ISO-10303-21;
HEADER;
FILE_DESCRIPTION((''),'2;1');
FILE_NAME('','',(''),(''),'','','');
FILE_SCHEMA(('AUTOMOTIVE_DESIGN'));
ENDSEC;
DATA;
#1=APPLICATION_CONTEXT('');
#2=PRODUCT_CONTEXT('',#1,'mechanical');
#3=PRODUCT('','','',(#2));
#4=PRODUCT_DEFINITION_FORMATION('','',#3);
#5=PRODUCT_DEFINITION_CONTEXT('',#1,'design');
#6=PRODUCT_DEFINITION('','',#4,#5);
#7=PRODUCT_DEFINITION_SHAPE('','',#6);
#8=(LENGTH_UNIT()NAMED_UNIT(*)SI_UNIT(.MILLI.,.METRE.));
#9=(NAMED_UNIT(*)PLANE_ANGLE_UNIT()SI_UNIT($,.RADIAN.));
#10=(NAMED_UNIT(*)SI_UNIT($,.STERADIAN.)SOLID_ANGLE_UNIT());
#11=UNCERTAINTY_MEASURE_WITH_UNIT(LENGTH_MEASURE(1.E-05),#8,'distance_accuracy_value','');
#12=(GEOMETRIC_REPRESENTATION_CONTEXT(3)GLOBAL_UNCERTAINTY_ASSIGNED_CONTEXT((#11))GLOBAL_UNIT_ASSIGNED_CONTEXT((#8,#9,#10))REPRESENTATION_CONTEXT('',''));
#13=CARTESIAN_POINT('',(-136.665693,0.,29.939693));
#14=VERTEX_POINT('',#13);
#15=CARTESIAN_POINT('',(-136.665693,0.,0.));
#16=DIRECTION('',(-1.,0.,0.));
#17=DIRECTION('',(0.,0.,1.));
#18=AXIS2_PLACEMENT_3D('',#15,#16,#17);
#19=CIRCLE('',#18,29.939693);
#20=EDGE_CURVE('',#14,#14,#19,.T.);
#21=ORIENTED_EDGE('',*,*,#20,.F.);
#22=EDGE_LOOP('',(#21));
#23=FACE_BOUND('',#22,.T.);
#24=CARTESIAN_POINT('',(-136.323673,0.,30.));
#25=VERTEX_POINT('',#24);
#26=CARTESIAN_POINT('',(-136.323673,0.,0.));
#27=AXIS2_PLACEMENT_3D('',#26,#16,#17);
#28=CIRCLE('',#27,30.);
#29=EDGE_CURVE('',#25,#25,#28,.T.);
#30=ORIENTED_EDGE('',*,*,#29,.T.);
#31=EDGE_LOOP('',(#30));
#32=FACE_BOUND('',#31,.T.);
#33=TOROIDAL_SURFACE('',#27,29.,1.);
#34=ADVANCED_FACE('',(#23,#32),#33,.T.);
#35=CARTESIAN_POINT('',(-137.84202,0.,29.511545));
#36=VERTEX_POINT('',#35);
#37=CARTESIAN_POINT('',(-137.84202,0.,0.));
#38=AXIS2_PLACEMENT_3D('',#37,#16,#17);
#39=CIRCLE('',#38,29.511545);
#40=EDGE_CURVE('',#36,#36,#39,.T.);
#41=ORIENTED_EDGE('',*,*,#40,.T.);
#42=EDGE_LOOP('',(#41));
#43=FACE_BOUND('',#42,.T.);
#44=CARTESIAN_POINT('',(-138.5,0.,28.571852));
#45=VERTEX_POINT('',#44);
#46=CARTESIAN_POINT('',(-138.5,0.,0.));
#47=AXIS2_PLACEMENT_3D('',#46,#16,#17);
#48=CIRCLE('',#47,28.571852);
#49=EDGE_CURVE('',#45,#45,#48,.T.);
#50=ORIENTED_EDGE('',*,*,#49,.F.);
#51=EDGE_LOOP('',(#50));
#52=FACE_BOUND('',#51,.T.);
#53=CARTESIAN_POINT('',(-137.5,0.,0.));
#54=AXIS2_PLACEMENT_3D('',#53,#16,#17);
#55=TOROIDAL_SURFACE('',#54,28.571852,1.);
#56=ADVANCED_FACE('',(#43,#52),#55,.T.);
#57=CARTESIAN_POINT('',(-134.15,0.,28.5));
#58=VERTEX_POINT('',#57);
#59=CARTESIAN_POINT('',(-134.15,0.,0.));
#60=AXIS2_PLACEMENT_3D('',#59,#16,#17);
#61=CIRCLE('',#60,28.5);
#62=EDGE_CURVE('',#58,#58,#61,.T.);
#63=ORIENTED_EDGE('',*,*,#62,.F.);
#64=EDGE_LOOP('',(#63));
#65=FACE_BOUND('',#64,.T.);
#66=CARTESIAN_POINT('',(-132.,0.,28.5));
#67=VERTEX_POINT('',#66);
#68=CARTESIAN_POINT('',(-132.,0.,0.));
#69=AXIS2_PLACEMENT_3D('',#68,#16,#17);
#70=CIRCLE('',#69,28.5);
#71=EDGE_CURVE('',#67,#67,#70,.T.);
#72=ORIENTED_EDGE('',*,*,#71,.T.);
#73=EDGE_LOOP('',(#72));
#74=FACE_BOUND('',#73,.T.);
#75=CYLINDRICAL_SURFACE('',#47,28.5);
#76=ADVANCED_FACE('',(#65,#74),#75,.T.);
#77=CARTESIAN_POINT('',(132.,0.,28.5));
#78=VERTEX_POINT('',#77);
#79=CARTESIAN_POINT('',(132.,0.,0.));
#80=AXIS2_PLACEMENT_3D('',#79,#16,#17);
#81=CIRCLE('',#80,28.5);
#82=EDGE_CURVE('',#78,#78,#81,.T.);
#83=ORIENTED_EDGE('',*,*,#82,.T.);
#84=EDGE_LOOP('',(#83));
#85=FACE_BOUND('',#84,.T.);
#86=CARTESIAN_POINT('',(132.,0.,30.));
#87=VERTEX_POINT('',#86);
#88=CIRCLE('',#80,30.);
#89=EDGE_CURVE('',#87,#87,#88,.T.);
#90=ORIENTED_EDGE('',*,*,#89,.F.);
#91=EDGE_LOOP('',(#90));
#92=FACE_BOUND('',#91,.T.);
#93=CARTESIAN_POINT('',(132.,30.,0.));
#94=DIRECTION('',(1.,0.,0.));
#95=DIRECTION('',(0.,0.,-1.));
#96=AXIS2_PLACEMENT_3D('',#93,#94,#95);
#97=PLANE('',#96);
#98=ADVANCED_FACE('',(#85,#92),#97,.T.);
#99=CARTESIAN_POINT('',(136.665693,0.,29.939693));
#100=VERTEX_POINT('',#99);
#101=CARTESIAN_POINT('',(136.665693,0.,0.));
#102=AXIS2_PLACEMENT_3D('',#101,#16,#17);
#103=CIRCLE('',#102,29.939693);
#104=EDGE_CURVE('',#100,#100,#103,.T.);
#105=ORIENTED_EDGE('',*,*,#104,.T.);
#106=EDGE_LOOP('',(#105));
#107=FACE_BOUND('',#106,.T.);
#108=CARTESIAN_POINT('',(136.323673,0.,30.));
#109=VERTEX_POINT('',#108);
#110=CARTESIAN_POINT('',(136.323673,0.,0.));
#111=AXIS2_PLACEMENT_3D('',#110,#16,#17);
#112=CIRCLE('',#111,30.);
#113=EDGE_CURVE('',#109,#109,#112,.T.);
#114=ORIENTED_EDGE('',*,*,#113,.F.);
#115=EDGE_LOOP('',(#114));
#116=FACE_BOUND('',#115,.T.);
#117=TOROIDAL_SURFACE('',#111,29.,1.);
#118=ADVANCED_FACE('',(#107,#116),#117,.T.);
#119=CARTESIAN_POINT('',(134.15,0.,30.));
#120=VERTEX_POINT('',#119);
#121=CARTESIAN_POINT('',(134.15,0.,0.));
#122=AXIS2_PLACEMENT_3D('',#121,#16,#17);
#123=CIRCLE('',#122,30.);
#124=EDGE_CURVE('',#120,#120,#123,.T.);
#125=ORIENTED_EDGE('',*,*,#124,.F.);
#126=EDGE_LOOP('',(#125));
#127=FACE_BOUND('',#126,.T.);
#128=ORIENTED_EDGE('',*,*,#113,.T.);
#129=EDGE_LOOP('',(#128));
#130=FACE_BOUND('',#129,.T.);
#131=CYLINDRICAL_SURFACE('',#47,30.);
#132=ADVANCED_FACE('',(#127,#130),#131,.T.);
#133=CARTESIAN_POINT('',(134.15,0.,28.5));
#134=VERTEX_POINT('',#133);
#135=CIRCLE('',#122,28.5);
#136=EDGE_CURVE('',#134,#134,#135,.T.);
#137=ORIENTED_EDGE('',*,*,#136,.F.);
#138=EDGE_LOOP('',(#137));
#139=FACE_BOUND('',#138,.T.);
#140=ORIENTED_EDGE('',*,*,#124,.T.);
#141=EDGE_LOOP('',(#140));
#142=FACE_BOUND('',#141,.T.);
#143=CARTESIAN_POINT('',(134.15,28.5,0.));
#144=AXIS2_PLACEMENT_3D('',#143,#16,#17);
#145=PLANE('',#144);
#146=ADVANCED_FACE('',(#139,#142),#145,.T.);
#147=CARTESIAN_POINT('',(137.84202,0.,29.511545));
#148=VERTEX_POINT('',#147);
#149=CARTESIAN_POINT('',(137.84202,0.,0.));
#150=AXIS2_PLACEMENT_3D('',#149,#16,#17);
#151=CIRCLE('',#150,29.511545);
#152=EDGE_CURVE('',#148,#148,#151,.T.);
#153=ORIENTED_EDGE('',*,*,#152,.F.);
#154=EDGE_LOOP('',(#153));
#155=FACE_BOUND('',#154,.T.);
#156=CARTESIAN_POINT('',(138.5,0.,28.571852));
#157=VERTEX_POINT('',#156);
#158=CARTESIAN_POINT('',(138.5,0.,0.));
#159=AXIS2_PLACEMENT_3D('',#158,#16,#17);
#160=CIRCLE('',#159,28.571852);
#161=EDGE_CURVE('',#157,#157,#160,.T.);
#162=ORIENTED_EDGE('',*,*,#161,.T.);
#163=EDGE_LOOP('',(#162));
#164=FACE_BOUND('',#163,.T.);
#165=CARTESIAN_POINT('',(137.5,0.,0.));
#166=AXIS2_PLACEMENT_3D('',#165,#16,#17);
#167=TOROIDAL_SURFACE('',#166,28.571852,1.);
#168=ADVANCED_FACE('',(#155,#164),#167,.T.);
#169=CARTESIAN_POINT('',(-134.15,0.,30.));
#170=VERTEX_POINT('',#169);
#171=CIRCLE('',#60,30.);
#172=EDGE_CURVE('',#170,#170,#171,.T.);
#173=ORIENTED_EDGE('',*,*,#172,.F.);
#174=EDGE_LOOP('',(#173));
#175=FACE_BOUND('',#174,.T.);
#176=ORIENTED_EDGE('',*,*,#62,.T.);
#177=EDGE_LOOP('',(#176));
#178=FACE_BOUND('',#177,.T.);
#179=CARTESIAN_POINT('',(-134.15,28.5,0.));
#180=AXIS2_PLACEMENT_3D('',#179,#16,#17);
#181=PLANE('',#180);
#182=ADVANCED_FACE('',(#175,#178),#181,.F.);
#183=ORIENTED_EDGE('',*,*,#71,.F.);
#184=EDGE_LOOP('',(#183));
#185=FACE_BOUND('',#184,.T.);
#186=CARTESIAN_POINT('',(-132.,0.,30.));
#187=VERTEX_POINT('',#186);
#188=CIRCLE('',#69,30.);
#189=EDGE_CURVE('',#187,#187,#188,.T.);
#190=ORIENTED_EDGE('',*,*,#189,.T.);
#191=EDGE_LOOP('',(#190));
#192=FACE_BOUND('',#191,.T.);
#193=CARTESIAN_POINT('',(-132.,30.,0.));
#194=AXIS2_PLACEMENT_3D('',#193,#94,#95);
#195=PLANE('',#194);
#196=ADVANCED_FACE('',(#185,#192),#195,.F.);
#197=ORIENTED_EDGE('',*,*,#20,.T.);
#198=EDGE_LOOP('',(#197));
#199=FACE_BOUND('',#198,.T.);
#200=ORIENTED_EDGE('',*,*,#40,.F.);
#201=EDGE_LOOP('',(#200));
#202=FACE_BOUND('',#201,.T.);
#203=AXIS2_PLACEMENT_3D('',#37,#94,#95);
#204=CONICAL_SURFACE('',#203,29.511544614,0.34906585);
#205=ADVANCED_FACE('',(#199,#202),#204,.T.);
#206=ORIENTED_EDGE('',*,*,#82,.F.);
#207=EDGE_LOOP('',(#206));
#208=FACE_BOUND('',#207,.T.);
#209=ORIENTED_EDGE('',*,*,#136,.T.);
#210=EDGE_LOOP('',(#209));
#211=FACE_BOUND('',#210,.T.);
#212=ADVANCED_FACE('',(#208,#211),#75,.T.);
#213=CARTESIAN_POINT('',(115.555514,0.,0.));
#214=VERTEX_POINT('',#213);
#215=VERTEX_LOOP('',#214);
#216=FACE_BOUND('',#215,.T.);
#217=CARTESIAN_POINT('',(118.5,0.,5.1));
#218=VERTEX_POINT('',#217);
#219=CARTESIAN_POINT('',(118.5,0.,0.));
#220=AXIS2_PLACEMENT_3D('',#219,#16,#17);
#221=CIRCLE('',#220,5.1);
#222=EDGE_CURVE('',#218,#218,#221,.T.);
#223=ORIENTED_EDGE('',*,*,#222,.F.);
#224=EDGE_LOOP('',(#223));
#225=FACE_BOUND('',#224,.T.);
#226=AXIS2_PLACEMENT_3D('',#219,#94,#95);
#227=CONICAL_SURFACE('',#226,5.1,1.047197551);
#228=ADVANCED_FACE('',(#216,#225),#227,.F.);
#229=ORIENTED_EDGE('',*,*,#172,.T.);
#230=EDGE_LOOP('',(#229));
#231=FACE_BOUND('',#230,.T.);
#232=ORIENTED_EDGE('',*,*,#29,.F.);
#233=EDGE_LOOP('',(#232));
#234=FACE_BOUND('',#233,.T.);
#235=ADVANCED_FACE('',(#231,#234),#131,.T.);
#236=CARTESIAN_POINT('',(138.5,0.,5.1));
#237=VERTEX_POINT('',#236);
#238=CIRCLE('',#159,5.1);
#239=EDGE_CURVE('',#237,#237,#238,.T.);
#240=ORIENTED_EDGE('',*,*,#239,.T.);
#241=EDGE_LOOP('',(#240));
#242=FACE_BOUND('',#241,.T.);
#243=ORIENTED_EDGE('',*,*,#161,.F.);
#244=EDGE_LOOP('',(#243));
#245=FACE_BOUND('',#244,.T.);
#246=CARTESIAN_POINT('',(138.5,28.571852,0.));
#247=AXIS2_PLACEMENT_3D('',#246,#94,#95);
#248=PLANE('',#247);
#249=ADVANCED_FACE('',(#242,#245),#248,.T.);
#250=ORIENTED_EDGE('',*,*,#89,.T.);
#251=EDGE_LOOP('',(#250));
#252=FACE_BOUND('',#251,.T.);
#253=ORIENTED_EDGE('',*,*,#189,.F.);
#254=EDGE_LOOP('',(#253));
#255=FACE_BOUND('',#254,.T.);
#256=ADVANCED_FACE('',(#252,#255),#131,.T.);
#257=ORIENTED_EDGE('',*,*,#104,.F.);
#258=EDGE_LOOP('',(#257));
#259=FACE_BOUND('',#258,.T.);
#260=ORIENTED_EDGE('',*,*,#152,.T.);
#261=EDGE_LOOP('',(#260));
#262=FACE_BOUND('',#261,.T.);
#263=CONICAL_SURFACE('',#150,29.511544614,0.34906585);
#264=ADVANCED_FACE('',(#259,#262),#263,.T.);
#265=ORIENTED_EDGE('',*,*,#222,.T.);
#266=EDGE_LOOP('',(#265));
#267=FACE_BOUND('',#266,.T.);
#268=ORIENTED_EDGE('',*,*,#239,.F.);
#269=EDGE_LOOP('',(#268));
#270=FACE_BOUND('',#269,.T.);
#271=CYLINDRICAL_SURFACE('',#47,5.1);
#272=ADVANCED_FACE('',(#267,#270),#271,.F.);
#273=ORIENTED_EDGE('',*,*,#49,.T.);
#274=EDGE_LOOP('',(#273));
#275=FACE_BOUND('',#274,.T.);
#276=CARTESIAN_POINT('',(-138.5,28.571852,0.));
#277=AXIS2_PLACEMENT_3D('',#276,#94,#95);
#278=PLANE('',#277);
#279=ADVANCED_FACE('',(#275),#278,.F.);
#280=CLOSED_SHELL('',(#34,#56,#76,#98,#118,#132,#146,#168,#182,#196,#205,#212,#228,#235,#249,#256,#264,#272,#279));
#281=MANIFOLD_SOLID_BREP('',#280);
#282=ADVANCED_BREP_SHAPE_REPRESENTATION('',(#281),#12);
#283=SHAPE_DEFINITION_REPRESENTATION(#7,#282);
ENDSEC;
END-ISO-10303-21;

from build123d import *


with BuildPart() as part:
    # Sketch1 → Base-Revolve (revolve)
    with BuildSketch(Plane.XY):
        with BuildLine():
            Line((132, 30), (0, 30))
            Line((0, 30), (-132, 30))
            Line((-132, 30), (-132, 28.5))
            Line((-132, 28.5), (-134.15, 28.5))
            Line((-134.15, 28.5), (-134.15, 30))
            Line((-134.15, 30), (-136.323673019, 30))
            ThreePointArc((-136.323673019, 30), (-136.497321197, 29.984807753), (-136.665693163, 29.939692621))
            Line((-136.665693163, 29.939692621), (-137.842020143, 29.511544614))
            ThreePointArc((-137.842020143, 29.511544614), (-138.319152044, 29.14542843), (-138.5, 28.571851993))
            Line((-138.5, 28.571851993), (-138.5, 0))
            Line((-138.5, 0), (115.555513627, 0))
            Line((115.555513627, 0), (118.5, 5.1))
            Line((118.5, 5.1), (138.5, 5.1))
            Line((138.5, 5.1), (138.5, 28.571851993))
            ThreePointArc((138.5, 28.571851993), (138.319152044, 29.14542843), (137.842020143, 29.511544614))
            Line((137.842020143, 29.511544614), (136.665693163, 29.939692621))
            ThreePointArc((136.665693163, 29.939692621), (136.497321197, 29.984807753), (136.323673019, 30))
            Line((136.323673019, 30), (134.15, 30))
            Line((134.15, 30), (134.15, 28.5))
            Line((134.15, 28.5), (132, 28.5))
            Line((132, 28.5), (132, 30))
        make_face()
    revolve(axis=Axis((-138.5, 0, 0), (1, 0, 0)))


solid = part.part
